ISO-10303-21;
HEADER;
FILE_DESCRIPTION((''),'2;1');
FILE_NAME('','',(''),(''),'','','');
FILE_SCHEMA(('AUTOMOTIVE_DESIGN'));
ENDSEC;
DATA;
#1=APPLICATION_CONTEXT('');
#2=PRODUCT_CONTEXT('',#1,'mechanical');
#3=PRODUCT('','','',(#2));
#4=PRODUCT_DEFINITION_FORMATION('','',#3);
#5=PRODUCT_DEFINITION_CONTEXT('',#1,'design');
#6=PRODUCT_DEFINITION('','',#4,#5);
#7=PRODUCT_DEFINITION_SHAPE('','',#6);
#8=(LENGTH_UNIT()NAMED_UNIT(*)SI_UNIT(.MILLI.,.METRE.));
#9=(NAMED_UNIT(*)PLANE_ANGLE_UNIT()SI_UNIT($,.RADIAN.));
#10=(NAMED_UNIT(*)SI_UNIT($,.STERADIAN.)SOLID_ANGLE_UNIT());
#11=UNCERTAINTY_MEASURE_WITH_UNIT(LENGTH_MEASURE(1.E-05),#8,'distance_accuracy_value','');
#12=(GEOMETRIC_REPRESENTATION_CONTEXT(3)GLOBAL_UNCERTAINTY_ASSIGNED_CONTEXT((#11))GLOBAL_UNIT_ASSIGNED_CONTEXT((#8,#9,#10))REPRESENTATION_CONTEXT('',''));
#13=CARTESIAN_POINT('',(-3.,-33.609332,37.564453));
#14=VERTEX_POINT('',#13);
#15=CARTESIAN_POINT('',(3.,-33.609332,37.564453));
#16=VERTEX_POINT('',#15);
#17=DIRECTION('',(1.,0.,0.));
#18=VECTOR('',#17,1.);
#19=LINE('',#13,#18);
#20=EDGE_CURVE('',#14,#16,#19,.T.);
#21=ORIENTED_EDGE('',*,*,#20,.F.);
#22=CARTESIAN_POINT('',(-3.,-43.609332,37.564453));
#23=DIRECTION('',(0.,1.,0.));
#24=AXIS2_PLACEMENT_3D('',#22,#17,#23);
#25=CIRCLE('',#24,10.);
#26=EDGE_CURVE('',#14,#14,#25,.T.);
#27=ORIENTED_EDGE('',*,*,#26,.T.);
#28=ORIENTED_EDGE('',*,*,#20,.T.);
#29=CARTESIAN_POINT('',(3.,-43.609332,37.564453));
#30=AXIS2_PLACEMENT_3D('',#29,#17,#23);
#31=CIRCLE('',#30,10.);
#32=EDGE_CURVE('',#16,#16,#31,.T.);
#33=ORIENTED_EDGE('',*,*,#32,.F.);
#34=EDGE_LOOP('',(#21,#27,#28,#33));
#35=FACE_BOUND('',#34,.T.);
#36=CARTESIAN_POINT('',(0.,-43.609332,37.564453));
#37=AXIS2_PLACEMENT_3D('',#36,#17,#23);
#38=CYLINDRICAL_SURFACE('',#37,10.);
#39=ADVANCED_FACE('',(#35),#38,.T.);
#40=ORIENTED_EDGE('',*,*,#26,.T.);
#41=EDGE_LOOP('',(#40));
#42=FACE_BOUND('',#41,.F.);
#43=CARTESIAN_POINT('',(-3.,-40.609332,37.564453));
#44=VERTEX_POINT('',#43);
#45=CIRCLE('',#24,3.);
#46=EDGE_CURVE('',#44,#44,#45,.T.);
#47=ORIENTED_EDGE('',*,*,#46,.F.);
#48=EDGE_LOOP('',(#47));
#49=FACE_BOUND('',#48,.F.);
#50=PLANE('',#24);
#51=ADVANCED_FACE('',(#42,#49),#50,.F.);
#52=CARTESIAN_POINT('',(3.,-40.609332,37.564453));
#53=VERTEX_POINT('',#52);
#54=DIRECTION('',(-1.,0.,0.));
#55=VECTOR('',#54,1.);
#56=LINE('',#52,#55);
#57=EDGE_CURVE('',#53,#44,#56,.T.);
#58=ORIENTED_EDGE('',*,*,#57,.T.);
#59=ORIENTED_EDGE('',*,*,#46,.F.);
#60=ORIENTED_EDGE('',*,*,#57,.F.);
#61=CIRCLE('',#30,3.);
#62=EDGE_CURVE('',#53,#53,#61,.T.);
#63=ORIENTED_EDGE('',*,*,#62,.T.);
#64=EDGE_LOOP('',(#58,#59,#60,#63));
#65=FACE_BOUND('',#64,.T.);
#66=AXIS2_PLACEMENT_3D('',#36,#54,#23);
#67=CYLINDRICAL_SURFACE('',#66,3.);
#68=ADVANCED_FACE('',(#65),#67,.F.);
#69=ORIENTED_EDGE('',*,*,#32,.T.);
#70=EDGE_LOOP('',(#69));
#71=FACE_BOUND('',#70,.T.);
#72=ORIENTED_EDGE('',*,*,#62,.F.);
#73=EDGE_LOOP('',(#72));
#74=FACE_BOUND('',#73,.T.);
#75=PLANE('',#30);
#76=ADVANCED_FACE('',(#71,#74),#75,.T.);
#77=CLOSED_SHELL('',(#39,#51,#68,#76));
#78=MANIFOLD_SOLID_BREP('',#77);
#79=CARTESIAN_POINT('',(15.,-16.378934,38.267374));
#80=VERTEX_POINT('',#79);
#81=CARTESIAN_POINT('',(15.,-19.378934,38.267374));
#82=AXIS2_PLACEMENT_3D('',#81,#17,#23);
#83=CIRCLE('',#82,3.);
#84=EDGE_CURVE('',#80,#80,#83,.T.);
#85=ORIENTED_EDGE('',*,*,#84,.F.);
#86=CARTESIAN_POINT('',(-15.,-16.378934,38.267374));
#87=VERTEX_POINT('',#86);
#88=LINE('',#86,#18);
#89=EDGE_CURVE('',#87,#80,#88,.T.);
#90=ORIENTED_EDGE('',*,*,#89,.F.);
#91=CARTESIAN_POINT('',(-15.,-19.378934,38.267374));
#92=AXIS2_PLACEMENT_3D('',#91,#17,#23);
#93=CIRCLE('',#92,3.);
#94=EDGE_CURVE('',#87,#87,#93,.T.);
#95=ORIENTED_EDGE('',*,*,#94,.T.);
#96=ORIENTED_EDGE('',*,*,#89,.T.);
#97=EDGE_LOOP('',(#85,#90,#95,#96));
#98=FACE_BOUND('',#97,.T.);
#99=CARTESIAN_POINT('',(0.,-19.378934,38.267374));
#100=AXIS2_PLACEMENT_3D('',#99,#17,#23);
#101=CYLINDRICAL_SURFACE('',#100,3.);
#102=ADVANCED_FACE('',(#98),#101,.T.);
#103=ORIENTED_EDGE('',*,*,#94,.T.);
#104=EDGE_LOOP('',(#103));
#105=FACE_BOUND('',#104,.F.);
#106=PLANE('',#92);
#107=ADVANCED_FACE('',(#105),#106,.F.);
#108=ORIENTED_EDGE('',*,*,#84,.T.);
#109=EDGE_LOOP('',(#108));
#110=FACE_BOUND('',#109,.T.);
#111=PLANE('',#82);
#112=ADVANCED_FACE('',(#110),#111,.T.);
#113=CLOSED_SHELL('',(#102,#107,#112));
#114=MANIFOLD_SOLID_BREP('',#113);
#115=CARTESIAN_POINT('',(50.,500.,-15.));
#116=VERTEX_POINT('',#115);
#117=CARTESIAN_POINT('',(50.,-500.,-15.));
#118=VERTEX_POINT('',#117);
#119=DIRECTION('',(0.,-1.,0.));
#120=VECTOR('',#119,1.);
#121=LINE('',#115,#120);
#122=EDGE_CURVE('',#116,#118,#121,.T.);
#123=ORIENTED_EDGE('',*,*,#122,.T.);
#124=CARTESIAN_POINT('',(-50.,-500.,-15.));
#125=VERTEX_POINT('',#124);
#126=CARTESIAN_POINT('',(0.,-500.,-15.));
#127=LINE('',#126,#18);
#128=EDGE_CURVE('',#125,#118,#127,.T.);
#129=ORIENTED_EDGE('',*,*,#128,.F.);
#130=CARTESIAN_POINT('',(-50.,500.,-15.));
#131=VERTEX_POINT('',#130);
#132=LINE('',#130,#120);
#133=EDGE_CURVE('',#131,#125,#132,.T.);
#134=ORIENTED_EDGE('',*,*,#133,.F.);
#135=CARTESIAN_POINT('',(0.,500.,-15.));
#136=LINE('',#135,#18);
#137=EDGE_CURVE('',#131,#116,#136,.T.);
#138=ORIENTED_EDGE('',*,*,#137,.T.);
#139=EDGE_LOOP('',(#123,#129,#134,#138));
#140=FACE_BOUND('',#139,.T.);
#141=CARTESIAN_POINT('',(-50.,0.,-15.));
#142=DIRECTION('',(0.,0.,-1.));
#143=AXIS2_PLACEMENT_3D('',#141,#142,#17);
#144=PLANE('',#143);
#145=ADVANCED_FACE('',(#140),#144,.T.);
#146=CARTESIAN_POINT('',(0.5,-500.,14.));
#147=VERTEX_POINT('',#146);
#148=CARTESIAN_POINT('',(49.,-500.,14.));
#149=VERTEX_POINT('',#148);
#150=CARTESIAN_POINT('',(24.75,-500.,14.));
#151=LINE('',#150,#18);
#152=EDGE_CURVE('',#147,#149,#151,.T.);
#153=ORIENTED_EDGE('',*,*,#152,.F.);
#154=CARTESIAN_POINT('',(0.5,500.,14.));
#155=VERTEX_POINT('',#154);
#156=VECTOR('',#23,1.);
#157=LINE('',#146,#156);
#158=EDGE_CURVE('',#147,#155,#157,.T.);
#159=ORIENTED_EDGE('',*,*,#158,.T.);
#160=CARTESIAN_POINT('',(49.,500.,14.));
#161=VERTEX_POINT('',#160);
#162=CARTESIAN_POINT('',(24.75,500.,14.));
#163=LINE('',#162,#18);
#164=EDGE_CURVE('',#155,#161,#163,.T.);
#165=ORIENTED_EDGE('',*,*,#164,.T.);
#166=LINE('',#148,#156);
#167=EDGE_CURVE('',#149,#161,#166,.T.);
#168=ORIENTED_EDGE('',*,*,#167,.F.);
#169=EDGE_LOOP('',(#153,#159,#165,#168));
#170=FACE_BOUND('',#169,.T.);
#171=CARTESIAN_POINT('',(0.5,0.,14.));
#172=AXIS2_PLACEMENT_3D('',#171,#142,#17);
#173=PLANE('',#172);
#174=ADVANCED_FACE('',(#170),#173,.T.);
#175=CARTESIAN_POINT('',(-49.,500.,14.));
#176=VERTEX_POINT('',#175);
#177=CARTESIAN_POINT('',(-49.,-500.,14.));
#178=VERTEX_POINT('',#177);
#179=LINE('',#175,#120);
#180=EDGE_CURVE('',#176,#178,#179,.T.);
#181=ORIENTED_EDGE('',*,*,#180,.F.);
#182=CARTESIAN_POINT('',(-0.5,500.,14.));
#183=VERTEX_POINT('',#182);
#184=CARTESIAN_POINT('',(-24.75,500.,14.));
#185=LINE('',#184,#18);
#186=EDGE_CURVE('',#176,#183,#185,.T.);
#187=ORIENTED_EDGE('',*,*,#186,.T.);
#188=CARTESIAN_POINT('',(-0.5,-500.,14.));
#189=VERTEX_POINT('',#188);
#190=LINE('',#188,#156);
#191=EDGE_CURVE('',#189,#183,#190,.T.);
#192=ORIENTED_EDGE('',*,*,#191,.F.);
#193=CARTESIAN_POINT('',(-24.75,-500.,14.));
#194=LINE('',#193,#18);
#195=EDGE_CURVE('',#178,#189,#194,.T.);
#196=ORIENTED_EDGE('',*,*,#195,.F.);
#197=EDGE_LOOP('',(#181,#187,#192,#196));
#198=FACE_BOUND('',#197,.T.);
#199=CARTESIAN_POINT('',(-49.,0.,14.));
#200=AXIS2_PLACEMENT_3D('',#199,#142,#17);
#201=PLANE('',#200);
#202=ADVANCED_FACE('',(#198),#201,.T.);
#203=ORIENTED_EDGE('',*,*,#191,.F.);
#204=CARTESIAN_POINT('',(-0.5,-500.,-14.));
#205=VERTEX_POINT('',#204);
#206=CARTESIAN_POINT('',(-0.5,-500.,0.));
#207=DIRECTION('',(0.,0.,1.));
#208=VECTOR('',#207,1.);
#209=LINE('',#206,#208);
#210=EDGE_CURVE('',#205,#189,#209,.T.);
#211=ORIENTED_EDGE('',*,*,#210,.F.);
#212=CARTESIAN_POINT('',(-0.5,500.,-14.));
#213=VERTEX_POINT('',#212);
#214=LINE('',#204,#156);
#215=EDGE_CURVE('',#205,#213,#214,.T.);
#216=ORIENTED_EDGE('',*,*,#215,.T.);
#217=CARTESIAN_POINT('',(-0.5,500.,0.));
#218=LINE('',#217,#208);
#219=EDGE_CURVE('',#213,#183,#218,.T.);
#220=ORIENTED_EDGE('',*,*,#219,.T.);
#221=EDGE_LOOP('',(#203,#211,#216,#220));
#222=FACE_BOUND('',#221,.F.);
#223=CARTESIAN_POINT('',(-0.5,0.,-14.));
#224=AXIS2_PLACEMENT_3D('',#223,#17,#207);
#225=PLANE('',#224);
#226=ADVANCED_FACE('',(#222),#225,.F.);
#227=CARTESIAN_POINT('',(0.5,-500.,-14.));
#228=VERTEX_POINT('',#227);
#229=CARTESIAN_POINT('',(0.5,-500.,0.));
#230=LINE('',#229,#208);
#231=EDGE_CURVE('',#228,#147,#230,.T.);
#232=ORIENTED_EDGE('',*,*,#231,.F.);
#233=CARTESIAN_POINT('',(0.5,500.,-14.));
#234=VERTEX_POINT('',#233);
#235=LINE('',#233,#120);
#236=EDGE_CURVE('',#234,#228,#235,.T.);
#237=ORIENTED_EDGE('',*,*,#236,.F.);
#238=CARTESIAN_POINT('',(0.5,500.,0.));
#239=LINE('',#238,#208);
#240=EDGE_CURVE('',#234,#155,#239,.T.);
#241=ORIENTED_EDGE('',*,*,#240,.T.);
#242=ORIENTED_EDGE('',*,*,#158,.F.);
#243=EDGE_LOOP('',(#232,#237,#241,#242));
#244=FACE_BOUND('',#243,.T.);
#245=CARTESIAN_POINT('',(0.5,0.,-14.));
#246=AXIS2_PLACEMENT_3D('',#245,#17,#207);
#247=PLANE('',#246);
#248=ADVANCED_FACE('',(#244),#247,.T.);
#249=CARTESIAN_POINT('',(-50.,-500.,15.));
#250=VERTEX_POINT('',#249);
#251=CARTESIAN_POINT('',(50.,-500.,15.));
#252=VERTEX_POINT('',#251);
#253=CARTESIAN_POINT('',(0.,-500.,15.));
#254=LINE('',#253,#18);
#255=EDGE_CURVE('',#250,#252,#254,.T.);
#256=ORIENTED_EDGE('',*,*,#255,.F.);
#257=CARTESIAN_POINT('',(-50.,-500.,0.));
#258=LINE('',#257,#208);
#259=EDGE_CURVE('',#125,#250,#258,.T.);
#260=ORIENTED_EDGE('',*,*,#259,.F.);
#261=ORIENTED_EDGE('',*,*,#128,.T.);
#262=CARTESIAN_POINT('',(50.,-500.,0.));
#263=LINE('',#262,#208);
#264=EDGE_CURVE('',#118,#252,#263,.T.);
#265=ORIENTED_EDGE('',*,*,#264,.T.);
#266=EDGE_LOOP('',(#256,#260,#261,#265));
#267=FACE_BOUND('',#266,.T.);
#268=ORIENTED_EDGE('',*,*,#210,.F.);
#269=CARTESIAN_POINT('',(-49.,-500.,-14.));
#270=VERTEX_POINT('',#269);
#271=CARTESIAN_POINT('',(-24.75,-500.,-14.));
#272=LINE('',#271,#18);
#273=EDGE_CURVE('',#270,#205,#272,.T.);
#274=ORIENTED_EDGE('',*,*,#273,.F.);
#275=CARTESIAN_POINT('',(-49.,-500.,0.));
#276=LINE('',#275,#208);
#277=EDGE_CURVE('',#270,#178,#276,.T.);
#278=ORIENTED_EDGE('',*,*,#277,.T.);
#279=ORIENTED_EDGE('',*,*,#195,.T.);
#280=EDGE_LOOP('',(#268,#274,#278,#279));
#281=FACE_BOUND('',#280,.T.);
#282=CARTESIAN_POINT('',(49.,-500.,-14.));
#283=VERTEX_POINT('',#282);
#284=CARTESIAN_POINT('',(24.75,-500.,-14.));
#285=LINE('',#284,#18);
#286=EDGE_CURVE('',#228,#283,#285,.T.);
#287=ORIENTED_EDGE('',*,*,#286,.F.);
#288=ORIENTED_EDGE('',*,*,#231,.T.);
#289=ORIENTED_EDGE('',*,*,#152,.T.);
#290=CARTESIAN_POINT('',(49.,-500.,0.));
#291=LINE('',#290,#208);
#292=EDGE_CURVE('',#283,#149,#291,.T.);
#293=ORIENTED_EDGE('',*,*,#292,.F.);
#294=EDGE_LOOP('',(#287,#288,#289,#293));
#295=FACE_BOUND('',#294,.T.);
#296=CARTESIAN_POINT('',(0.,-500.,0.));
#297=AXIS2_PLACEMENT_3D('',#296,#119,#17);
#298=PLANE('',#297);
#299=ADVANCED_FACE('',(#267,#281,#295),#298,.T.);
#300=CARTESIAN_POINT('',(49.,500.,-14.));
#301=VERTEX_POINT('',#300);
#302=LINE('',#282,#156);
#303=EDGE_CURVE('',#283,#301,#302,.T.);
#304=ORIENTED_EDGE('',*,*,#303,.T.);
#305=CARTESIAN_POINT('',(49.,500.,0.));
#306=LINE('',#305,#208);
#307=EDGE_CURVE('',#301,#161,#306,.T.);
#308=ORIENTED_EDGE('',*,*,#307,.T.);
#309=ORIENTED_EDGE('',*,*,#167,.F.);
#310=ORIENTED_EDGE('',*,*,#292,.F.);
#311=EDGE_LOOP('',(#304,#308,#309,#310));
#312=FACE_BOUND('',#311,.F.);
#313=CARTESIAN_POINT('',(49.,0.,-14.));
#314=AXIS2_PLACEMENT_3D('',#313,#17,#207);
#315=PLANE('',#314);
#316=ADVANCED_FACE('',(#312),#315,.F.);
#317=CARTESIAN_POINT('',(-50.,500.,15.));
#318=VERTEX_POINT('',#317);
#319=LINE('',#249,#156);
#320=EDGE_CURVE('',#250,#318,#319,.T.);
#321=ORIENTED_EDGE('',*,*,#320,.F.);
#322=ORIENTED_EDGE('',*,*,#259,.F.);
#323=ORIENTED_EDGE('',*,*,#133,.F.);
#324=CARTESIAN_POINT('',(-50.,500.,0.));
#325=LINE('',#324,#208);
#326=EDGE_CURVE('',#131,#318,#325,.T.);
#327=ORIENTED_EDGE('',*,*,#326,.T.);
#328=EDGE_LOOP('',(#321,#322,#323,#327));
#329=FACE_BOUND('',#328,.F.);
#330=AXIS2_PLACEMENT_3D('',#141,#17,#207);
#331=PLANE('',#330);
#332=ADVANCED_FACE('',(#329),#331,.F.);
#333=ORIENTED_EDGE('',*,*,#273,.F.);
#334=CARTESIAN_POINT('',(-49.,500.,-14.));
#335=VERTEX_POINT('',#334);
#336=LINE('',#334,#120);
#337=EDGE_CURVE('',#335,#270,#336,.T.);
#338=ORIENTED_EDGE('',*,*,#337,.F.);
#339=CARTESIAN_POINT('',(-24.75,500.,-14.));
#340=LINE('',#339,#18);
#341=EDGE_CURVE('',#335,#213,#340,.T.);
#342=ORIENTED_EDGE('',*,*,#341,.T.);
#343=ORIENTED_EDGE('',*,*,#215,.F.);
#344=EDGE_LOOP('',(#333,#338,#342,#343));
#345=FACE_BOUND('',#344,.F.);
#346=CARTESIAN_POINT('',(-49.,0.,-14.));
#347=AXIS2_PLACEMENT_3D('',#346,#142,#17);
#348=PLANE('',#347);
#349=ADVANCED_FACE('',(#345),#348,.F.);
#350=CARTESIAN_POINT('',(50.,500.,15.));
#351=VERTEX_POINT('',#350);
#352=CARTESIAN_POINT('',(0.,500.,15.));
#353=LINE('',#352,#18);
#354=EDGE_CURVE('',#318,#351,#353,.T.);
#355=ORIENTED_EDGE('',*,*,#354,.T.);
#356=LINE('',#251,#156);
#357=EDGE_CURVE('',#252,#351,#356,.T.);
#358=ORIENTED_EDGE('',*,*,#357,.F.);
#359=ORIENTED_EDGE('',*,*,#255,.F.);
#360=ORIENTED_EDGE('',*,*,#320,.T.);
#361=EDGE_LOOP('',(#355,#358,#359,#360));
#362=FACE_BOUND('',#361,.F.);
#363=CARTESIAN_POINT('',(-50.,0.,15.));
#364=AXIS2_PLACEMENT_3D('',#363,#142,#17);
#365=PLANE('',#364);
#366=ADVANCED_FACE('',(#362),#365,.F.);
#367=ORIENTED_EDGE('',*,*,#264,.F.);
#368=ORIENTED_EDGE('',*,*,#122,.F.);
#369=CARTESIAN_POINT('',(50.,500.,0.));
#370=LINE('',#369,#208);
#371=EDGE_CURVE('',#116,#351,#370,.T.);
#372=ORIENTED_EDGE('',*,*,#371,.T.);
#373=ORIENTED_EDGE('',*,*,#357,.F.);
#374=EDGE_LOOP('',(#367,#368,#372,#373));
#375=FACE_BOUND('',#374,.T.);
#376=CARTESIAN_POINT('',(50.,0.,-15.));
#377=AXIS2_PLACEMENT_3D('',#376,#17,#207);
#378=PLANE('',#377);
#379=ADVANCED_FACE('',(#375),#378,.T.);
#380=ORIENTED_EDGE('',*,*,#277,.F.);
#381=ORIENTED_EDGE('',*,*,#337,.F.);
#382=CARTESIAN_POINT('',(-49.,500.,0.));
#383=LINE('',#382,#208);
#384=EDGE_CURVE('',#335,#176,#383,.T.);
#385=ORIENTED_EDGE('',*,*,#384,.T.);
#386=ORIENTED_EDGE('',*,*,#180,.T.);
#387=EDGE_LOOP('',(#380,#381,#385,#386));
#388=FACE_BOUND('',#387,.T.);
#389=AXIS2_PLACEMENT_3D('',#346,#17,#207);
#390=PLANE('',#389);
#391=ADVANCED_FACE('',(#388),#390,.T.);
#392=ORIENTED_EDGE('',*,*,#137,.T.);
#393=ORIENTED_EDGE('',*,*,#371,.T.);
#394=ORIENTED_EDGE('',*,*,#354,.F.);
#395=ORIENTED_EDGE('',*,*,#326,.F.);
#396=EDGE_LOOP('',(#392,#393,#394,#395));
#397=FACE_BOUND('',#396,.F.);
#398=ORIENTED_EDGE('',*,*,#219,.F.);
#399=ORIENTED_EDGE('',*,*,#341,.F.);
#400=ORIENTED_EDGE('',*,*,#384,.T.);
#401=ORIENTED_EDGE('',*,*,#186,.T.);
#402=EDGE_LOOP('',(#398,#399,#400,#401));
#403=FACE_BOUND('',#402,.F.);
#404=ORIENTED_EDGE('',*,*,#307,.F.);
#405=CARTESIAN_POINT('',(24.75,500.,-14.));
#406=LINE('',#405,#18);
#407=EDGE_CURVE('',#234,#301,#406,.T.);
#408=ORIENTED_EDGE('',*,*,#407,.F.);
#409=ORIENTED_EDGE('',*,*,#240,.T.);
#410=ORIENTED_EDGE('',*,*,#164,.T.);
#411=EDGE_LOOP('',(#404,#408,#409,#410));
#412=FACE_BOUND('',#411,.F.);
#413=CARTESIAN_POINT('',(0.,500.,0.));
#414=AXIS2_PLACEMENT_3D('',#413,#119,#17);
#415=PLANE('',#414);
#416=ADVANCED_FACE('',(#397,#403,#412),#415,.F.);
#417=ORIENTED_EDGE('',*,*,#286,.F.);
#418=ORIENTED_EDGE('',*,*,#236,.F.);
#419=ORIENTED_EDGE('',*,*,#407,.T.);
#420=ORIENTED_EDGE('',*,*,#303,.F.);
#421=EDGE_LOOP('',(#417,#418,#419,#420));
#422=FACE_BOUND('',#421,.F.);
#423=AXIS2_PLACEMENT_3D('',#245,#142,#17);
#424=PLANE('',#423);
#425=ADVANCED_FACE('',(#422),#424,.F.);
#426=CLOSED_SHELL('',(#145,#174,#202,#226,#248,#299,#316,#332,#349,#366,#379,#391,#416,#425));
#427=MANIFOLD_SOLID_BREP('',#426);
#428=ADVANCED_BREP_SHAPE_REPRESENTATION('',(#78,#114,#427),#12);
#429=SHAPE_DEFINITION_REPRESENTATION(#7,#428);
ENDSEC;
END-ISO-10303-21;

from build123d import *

# Parameters (mm, degrees)
F5_W      = 100
F5_H      = 30
F5_W_2    = 48.5
F5_H_2    = 28
F6_DEPTH  = 500
F7_R      = 10
F7_R_2    = 3
F8_DEPTH  = 3
F9_R      = 3
F10_DEPTH = 15


with BuildPart() as f6:
    # F5 (on Front) → F6 (new body, symmetric)
    with BuildSketch(Plane.XZ):
        Rectangle(F5_W, F5_H)
        with Locations((-24.75, 0)):
            Rectangle(F5_W_2, F5_H_2, mode=Mode.SUBTRACT)
        with Locations((24.75, 0)):
            Rectangle(F5_W_2, F5_H_2, mode=Mode.SUBTRACT)
    extrude(amount=F6_DEPTH, both=True)


with BuildPart() as f8:
    # F7 (on Right) → F8 (new body, symmetric)
    with BuildSketch(Plane.YZ):
        with Locations((-43.6093322933, 37.5644527376)):
            Circle(F7_R)
        with Locations((-43.6093322933, 37.5644527376)):
            Circle(F7_R_2, mode=Mode.SUBTRACT)
    extrude(amount=F8_DEPTH, both=True)


with BuildPart() as f10:
    # F9 (on Right) → F10 (new body, symmetric)
    with BuildSketch(Plane.YZ):
        with Locations((-19.3789340556, 38.2673740387)):
            Circle(F9_R)
    extrude(amount=F10_DEPTH, both=True)


solid = Compound([f6.part, f8.part, f10.part])
